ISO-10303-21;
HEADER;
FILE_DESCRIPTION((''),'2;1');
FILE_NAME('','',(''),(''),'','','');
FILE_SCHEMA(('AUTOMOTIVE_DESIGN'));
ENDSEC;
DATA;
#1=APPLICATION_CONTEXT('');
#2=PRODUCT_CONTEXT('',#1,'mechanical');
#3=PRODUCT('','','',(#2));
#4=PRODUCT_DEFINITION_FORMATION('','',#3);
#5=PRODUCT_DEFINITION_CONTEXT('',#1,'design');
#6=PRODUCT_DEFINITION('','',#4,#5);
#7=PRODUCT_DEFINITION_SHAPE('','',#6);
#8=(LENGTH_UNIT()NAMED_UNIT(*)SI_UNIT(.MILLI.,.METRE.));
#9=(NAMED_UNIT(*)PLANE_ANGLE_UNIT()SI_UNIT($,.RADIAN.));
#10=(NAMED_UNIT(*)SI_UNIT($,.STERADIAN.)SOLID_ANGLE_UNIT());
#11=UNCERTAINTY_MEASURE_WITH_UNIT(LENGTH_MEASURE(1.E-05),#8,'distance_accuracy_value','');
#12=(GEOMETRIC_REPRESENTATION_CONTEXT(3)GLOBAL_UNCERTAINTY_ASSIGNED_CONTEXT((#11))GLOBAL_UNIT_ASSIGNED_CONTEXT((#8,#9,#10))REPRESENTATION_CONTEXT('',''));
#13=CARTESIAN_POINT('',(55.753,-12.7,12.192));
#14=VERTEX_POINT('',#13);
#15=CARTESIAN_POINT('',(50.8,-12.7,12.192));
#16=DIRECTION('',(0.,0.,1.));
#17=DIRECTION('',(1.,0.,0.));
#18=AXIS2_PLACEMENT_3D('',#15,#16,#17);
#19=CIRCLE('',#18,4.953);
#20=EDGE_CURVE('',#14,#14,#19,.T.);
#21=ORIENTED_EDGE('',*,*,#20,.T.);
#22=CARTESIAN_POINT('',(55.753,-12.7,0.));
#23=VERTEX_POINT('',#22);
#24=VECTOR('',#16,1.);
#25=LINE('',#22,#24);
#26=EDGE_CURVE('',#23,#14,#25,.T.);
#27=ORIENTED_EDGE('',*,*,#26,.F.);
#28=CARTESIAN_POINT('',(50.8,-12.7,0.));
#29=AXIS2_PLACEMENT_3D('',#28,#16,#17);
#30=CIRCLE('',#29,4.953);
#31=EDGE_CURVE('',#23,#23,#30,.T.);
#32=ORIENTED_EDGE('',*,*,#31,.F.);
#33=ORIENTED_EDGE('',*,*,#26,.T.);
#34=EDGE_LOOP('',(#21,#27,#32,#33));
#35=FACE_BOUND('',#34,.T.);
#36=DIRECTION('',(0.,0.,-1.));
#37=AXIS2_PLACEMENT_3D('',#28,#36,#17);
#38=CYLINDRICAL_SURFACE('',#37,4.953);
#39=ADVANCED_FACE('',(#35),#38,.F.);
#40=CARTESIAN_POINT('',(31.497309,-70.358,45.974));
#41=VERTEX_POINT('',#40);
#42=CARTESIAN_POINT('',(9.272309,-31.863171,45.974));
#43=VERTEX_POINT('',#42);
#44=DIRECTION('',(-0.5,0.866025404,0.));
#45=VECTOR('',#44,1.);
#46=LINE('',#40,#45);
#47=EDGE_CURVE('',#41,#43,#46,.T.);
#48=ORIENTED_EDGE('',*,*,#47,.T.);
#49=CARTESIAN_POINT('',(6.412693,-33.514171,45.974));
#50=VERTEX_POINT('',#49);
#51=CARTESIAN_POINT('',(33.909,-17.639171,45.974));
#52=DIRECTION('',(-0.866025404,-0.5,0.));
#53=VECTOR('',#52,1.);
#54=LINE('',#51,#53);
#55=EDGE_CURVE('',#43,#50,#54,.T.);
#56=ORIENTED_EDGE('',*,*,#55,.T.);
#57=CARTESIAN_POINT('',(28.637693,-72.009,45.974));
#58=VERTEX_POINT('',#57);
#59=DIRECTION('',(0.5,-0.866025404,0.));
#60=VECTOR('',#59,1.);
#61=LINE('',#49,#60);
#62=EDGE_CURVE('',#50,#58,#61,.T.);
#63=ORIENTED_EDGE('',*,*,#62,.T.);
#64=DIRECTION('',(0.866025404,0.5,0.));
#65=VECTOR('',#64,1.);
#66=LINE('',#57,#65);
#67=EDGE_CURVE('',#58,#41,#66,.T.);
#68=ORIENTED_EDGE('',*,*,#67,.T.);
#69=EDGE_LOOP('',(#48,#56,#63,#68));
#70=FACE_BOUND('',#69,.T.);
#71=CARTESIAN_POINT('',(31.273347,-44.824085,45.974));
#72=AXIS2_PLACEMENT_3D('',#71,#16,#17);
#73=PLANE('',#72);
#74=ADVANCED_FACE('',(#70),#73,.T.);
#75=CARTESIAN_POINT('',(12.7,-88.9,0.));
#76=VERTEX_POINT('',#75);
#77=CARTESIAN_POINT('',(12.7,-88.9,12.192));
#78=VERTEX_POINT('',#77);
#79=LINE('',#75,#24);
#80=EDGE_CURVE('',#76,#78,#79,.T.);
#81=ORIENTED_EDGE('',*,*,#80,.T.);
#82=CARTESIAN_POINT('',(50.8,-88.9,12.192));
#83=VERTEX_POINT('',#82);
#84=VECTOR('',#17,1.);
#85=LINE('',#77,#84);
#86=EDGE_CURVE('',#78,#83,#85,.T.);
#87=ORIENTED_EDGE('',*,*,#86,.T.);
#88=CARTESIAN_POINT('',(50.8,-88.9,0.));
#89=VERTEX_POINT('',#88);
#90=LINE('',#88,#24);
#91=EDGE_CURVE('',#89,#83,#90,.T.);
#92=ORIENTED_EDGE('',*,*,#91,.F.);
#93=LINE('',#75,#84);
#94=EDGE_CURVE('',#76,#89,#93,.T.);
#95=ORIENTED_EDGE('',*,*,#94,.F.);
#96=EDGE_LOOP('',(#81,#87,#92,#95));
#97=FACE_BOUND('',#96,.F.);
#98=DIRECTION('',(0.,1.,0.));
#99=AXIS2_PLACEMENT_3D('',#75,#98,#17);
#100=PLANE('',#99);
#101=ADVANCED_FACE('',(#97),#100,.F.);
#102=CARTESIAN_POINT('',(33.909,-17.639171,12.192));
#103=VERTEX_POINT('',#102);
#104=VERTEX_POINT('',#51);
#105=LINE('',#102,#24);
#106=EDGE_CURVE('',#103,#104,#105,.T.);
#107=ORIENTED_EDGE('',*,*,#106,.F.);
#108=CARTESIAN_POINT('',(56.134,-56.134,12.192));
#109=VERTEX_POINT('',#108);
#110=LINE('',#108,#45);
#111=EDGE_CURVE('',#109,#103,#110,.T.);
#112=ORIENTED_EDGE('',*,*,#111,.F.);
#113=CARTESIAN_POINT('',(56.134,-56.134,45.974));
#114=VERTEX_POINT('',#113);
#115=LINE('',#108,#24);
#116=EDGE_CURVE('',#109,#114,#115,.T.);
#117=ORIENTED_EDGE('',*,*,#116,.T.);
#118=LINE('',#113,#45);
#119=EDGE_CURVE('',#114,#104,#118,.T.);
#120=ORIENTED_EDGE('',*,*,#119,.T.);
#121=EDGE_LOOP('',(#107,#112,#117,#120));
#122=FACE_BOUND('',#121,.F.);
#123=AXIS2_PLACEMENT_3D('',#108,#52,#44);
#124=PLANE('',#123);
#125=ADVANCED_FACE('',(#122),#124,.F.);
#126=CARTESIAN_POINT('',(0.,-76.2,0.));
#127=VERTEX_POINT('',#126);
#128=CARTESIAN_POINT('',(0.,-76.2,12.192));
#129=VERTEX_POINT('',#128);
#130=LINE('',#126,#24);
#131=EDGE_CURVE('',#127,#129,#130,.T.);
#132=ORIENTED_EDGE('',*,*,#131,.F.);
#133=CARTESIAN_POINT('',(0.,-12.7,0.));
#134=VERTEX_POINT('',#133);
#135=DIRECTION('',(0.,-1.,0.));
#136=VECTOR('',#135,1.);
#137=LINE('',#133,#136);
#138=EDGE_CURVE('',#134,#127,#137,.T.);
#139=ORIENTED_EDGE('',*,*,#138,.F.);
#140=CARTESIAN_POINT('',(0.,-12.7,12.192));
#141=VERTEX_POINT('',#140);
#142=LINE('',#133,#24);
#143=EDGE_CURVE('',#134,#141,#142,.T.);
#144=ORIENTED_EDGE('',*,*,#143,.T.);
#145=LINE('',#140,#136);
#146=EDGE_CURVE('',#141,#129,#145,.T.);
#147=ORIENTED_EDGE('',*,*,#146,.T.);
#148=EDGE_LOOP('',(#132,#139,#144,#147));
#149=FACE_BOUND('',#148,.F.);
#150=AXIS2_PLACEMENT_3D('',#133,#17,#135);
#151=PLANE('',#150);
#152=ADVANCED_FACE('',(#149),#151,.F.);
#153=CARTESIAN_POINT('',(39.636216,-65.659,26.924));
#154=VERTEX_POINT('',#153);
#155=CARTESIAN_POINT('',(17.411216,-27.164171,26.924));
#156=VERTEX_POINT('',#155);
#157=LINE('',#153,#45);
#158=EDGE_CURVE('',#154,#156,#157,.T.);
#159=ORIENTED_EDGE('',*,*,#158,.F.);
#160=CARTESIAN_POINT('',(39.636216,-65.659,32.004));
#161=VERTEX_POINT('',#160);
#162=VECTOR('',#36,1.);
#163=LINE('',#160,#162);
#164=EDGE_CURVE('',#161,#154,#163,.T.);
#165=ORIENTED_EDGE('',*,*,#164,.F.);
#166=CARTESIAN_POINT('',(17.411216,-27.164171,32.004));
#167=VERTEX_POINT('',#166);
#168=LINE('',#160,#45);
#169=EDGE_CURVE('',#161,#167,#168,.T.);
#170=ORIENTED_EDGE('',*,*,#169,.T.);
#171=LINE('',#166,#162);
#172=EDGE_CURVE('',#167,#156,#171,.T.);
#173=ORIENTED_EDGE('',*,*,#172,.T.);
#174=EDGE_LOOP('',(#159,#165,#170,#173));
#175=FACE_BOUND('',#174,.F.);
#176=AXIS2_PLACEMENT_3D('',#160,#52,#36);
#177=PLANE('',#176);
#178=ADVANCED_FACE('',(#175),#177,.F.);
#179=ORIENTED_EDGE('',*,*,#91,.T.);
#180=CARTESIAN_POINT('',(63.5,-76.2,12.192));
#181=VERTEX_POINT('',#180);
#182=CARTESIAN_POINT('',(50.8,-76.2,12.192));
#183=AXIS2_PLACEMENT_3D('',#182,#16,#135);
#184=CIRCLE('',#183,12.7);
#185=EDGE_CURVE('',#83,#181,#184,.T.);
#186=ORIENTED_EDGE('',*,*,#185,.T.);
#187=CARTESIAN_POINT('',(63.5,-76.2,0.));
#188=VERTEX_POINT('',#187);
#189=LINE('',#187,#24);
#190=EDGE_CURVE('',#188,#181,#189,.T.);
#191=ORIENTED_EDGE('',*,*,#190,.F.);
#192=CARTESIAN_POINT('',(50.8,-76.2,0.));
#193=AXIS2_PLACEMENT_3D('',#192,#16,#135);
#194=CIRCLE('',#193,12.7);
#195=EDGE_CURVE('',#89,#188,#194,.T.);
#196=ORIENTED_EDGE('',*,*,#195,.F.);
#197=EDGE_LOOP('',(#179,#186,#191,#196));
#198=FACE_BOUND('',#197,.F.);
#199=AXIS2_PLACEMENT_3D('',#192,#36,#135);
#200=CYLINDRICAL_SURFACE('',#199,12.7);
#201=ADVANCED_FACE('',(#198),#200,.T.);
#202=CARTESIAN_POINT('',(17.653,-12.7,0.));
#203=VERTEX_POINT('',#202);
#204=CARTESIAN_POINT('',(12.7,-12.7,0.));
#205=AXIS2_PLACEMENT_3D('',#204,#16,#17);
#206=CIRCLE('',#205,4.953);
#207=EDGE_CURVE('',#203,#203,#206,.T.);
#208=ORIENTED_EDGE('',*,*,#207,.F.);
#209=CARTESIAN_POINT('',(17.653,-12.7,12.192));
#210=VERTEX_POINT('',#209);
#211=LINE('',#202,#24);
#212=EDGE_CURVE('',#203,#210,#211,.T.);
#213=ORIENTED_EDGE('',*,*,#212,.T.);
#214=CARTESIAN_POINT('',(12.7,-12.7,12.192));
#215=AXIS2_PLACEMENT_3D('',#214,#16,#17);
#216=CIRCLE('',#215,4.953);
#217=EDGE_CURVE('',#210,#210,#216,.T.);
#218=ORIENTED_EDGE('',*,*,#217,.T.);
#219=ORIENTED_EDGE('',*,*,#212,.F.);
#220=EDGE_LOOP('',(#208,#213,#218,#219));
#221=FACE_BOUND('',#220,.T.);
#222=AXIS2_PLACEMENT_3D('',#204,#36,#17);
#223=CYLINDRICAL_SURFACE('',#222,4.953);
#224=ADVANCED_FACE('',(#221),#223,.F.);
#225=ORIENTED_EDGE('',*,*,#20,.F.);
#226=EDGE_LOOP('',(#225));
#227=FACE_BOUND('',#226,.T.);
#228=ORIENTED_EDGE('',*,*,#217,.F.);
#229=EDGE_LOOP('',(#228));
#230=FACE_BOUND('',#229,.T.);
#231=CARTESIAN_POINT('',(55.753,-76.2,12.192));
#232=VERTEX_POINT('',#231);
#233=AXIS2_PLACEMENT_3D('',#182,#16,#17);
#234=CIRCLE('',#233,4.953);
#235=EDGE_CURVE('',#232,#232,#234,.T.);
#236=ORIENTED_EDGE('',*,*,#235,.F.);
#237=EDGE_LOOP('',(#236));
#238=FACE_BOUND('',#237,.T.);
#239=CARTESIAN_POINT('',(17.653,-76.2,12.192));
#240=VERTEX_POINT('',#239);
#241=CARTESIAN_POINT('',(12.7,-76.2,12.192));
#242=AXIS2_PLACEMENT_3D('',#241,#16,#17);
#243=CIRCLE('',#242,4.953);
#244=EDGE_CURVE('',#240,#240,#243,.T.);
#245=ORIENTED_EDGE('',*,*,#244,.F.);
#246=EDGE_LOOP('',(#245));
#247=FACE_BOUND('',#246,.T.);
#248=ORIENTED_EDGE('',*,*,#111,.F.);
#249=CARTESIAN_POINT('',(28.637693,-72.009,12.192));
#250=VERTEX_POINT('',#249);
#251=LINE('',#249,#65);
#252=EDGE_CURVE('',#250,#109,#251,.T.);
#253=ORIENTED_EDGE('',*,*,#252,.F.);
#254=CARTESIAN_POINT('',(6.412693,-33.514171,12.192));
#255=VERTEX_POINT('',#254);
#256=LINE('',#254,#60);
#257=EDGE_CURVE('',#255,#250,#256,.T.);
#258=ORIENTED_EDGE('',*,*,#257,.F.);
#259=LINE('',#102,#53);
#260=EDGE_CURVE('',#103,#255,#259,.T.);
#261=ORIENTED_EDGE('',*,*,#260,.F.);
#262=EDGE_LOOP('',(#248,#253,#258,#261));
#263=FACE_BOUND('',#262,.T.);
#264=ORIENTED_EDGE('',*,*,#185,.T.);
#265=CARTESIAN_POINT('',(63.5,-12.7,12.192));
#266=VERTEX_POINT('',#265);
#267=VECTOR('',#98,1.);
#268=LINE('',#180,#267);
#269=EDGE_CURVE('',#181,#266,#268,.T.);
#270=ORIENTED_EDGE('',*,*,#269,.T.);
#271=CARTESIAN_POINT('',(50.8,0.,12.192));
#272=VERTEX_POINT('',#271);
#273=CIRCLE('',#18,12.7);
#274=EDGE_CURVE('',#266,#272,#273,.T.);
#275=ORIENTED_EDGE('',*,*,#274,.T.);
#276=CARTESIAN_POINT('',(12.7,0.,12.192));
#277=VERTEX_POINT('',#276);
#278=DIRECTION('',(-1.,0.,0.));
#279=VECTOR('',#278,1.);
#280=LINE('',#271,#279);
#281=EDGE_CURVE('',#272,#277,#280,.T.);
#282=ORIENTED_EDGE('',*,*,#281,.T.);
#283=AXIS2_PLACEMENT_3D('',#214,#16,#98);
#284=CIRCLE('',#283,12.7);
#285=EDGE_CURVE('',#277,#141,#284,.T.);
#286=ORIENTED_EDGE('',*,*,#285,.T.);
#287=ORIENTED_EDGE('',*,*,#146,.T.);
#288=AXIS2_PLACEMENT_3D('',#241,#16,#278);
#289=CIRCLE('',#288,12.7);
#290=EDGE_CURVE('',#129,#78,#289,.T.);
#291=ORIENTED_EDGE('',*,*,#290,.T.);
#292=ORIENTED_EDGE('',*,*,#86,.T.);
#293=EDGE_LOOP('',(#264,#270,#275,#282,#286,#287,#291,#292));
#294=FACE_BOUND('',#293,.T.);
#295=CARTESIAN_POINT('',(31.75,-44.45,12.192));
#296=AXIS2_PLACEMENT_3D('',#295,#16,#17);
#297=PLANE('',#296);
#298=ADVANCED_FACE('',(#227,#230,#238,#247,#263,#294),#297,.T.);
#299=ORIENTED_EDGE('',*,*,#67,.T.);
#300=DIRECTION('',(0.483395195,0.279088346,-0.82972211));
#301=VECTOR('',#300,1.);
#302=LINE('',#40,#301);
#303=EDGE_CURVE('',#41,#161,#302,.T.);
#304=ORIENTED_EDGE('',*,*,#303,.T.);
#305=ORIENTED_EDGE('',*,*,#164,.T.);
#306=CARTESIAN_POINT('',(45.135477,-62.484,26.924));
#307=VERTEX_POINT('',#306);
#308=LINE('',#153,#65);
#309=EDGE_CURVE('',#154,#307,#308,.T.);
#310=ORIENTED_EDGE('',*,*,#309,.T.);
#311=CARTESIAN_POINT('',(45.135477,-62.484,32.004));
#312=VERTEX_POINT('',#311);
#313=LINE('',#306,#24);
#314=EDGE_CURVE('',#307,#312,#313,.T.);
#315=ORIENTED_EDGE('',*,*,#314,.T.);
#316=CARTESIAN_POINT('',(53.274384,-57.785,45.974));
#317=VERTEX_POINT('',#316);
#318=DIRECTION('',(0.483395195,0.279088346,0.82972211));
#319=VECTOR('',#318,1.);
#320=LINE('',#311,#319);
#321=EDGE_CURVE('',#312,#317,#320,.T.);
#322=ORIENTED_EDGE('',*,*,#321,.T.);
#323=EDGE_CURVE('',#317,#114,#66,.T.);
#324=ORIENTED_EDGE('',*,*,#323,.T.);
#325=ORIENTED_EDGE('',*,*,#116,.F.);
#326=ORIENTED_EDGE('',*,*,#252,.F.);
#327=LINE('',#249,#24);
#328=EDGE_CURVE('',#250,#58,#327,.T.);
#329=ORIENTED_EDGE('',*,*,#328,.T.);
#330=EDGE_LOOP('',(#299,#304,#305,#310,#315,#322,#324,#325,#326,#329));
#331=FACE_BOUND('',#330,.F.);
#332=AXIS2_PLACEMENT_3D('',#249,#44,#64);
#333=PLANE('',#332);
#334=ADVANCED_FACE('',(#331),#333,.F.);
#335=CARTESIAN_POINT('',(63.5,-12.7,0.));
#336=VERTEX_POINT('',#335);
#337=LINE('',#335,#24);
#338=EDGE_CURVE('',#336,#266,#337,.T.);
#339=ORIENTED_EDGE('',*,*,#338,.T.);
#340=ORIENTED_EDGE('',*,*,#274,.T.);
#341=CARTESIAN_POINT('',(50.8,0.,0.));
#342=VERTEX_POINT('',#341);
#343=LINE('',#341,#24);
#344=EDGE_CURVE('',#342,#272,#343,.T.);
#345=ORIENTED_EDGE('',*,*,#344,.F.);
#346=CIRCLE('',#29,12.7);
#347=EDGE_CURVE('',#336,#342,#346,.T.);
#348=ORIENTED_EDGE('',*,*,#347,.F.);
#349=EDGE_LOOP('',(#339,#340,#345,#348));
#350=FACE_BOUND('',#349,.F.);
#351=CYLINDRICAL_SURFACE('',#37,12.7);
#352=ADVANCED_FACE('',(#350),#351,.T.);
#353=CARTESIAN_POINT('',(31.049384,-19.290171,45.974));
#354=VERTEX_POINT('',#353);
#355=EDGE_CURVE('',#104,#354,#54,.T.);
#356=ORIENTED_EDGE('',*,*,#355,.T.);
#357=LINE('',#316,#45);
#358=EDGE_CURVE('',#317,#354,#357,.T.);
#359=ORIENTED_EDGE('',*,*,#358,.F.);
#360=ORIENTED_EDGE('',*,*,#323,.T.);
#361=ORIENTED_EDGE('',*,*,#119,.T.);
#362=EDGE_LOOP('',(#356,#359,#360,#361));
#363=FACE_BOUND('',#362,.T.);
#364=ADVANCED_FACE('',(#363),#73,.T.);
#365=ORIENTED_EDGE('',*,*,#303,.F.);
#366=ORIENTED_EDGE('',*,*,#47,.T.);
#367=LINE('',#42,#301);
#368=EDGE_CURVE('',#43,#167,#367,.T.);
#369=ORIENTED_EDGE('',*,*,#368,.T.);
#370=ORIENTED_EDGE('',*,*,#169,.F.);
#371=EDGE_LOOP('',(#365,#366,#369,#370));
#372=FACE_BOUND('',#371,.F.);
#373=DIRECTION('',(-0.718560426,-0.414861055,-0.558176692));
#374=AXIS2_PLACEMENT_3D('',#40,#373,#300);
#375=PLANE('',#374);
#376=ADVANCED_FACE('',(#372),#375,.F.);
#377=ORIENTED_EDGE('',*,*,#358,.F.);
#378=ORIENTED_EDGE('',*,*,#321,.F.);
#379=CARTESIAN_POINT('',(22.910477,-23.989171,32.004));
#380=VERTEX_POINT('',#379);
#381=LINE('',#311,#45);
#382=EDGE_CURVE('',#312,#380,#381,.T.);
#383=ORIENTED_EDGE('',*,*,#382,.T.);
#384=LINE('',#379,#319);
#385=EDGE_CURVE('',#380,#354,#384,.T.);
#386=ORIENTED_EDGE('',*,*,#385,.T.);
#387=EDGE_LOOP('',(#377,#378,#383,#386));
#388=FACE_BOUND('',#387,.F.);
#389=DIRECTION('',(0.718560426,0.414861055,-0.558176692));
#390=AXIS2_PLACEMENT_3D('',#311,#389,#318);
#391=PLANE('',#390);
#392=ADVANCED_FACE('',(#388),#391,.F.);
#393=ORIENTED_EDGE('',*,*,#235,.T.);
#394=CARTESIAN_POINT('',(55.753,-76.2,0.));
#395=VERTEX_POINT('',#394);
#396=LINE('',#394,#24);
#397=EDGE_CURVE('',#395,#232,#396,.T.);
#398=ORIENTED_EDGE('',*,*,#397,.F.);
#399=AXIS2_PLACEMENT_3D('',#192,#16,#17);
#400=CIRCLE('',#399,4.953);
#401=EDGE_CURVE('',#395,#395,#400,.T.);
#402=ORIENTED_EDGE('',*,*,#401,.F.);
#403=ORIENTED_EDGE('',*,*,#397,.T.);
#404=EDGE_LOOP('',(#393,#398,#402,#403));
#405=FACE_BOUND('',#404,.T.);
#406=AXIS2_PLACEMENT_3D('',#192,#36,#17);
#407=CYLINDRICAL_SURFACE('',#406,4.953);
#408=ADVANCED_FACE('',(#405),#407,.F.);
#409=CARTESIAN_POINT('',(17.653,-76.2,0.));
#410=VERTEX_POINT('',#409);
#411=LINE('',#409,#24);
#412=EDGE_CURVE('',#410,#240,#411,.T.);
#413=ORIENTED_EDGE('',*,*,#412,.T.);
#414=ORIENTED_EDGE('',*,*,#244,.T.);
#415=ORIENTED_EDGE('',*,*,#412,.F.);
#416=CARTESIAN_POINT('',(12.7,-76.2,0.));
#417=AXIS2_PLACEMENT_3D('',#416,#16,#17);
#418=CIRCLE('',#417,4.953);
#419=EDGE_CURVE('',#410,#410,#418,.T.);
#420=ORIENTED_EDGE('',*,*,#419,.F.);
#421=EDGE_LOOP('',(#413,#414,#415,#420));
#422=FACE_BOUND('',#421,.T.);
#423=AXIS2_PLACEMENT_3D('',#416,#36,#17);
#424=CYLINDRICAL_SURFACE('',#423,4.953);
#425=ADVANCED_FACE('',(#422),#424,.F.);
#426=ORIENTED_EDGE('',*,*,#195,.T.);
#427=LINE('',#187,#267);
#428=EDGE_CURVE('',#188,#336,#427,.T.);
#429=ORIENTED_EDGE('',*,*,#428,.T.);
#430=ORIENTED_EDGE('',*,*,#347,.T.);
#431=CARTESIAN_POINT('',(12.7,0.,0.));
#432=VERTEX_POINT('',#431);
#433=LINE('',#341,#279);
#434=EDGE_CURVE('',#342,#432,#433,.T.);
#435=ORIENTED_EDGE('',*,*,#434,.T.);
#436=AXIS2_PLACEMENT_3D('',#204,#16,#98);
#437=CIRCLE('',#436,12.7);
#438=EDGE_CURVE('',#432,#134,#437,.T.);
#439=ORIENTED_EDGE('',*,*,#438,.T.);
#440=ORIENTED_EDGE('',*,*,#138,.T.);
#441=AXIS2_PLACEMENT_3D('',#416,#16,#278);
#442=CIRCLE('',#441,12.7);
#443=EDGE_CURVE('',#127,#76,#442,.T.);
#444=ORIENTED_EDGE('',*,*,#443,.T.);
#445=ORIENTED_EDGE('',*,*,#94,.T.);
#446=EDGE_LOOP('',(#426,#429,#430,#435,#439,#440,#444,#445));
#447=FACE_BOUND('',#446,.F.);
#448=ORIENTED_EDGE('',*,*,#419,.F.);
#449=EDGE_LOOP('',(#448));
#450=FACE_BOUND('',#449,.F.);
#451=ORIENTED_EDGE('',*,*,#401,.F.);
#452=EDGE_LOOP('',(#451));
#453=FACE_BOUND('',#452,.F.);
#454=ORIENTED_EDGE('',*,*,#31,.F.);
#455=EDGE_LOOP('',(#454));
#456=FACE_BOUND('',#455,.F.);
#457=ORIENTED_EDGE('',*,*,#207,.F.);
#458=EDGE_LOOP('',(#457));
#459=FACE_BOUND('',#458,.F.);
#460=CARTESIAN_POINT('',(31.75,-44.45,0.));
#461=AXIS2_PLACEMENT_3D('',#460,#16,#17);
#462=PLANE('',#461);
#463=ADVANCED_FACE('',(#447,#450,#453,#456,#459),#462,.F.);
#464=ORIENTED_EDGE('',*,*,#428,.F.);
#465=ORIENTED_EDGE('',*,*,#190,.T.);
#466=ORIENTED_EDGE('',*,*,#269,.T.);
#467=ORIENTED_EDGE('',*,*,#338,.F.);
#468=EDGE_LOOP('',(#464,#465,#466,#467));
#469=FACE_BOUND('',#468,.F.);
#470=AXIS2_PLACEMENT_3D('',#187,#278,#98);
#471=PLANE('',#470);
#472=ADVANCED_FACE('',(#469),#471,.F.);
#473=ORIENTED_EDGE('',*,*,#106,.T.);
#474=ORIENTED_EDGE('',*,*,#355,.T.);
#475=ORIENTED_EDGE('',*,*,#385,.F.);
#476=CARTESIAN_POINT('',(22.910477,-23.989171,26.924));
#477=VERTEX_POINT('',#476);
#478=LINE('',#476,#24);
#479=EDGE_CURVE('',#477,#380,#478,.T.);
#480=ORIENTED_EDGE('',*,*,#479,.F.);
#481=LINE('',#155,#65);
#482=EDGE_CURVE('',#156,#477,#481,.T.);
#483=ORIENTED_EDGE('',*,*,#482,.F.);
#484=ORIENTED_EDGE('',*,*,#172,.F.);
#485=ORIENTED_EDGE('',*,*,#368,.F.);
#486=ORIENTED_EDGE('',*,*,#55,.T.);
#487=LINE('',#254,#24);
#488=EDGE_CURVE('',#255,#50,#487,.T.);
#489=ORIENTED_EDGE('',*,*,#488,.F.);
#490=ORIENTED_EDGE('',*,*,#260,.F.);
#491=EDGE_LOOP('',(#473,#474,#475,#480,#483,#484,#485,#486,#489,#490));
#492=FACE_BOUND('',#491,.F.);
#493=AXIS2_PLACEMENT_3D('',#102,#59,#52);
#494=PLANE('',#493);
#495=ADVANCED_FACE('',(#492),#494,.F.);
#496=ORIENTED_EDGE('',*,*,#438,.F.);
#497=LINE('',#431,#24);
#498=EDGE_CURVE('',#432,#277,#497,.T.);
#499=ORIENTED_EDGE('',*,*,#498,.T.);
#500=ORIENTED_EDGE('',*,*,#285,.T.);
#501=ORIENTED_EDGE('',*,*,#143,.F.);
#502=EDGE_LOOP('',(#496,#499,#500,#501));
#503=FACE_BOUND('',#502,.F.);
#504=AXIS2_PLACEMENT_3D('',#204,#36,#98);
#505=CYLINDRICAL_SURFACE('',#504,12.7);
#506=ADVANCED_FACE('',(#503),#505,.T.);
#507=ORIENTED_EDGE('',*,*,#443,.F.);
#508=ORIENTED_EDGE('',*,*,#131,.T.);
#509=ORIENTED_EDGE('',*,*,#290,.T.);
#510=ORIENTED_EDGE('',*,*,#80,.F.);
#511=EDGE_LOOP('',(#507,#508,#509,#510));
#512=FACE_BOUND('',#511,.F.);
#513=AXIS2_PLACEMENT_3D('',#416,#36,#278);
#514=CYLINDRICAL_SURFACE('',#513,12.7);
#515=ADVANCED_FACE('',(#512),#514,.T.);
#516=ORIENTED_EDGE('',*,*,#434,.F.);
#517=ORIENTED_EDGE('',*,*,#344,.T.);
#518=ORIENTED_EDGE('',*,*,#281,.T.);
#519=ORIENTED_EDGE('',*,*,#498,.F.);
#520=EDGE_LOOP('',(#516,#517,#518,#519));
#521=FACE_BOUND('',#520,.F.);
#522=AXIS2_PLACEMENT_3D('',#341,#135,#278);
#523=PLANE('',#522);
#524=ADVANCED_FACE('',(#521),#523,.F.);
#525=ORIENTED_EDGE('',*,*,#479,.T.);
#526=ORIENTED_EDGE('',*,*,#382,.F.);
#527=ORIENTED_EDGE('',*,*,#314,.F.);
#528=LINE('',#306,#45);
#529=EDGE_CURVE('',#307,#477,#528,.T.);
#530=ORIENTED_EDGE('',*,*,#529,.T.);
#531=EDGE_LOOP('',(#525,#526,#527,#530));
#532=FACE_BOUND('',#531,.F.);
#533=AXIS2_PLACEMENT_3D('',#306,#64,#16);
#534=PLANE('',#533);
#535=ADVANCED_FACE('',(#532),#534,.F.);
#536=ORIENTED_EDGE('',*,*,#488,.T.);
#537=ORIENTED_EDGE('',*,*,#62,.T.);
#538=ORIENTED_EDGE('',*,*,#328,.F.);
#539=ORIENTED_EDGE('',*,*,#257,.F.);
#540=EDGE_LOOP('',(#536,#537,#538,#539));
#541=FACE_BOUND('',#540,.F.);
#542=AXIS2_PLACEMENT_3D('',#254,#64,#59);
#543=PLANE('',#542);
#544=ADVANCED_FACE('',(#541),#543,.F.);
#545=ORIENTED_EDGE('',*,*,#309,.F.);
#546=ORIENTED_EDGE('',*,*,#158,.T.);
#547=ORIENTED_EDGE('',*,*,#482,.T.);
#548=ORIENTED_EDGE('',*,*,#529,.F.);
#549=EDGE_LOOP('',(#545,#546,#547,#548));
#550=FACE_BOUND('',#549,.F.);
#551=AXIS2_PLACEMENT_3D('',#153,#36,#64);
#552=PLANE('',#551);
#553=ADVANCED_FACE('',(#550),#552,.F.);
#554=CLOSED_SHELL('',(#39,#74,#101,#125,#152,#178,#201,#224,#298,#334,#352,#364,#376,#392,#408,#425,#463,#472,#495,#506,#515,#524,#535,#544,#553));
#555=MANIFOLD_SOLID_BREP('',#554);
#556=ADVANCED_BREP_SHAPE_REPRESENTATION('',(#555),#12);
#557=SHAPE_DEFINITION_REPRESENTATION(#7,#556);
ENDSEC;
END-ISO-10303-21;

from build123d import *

# Parameters (mm, degrees)
F0_R     = 4.953
F1_DEPTH = 12.192
F3_DEPTH = 33.782
F5_DEPTH = 44.45


with BuildPart() as f1:
    # F0 (on Top) → F1 (new body)
    with BuildSketch(Plane.XY):
        with BuildLine():
            Line((50.8, 0), (12.7, 0))
            ThreePointArc((12.7, 0), (3.7197438789, -3.7197438789), (0, -12.7))
            Line((0, -12.7), (0, -76.2))
            ThreePointArc((0, -76.2), (3.7197438789, -85.1802561211), (12.7, -88.9))
            Line((12.7, -88.9), (50.8, -88.9))
            ThreePointArc((50.8, -88.9), (59.7802561211, -85.1802561211), (63.5, -76.2))
            Line((63.5, -76.2), (63.5, -12.7))
            ThreePointArc((63.5, -12.7), (59.7802561211, -3.7197438789), (50.8, 0))
        make_face()
        with Locations((12.7, -76.2)):
            Circle(F0_R, mode=Mode.SUBTRACT)
        with Locations((50.8, -76.2)):
            Circle(F0_R, mode=Mode.SUBTRACT)
        with Locations((12.7, -12.7)):
            Circle(F0_R, mode=Mode.SUBTRACT)
        with Locations((50.8, -12.7)):
            Circle(F0_R, mode=Mode.SUBTRACT)
    extrude(amount=F1_DEPTH)

    # F2 (on face) → F3 (join)
    with BuildSketch(Plane.XY.offset(12.192)):
        Polygon((6.4126934298, -33.5141708018), (28.6376934298, -72.009), (56.134, -56.134), (33.909, -17.6391708018), align=None)
    extrude(amount=F3_DEPTH)

    # F4 (on face) → F5 (cut)
    with BuildSketch(Plane(origin=(38.340235008, -66.407235008, 0), x_dir=(0.8660254038, 0.5, 0), z_dir=(0.5, -0.8660254038, 0))):
        Polygon((17.244470016, 45.974), (-7.901529984, 45.974), (1.496470016, 32.004), (1.496470016, 26.924), (7.846470016, 26.924), (7.846470016, 32.004), align=None)
    extrude(amount=-F5_DEPTH, mode=Mode.SUBTRACT)


solid = f1.part
